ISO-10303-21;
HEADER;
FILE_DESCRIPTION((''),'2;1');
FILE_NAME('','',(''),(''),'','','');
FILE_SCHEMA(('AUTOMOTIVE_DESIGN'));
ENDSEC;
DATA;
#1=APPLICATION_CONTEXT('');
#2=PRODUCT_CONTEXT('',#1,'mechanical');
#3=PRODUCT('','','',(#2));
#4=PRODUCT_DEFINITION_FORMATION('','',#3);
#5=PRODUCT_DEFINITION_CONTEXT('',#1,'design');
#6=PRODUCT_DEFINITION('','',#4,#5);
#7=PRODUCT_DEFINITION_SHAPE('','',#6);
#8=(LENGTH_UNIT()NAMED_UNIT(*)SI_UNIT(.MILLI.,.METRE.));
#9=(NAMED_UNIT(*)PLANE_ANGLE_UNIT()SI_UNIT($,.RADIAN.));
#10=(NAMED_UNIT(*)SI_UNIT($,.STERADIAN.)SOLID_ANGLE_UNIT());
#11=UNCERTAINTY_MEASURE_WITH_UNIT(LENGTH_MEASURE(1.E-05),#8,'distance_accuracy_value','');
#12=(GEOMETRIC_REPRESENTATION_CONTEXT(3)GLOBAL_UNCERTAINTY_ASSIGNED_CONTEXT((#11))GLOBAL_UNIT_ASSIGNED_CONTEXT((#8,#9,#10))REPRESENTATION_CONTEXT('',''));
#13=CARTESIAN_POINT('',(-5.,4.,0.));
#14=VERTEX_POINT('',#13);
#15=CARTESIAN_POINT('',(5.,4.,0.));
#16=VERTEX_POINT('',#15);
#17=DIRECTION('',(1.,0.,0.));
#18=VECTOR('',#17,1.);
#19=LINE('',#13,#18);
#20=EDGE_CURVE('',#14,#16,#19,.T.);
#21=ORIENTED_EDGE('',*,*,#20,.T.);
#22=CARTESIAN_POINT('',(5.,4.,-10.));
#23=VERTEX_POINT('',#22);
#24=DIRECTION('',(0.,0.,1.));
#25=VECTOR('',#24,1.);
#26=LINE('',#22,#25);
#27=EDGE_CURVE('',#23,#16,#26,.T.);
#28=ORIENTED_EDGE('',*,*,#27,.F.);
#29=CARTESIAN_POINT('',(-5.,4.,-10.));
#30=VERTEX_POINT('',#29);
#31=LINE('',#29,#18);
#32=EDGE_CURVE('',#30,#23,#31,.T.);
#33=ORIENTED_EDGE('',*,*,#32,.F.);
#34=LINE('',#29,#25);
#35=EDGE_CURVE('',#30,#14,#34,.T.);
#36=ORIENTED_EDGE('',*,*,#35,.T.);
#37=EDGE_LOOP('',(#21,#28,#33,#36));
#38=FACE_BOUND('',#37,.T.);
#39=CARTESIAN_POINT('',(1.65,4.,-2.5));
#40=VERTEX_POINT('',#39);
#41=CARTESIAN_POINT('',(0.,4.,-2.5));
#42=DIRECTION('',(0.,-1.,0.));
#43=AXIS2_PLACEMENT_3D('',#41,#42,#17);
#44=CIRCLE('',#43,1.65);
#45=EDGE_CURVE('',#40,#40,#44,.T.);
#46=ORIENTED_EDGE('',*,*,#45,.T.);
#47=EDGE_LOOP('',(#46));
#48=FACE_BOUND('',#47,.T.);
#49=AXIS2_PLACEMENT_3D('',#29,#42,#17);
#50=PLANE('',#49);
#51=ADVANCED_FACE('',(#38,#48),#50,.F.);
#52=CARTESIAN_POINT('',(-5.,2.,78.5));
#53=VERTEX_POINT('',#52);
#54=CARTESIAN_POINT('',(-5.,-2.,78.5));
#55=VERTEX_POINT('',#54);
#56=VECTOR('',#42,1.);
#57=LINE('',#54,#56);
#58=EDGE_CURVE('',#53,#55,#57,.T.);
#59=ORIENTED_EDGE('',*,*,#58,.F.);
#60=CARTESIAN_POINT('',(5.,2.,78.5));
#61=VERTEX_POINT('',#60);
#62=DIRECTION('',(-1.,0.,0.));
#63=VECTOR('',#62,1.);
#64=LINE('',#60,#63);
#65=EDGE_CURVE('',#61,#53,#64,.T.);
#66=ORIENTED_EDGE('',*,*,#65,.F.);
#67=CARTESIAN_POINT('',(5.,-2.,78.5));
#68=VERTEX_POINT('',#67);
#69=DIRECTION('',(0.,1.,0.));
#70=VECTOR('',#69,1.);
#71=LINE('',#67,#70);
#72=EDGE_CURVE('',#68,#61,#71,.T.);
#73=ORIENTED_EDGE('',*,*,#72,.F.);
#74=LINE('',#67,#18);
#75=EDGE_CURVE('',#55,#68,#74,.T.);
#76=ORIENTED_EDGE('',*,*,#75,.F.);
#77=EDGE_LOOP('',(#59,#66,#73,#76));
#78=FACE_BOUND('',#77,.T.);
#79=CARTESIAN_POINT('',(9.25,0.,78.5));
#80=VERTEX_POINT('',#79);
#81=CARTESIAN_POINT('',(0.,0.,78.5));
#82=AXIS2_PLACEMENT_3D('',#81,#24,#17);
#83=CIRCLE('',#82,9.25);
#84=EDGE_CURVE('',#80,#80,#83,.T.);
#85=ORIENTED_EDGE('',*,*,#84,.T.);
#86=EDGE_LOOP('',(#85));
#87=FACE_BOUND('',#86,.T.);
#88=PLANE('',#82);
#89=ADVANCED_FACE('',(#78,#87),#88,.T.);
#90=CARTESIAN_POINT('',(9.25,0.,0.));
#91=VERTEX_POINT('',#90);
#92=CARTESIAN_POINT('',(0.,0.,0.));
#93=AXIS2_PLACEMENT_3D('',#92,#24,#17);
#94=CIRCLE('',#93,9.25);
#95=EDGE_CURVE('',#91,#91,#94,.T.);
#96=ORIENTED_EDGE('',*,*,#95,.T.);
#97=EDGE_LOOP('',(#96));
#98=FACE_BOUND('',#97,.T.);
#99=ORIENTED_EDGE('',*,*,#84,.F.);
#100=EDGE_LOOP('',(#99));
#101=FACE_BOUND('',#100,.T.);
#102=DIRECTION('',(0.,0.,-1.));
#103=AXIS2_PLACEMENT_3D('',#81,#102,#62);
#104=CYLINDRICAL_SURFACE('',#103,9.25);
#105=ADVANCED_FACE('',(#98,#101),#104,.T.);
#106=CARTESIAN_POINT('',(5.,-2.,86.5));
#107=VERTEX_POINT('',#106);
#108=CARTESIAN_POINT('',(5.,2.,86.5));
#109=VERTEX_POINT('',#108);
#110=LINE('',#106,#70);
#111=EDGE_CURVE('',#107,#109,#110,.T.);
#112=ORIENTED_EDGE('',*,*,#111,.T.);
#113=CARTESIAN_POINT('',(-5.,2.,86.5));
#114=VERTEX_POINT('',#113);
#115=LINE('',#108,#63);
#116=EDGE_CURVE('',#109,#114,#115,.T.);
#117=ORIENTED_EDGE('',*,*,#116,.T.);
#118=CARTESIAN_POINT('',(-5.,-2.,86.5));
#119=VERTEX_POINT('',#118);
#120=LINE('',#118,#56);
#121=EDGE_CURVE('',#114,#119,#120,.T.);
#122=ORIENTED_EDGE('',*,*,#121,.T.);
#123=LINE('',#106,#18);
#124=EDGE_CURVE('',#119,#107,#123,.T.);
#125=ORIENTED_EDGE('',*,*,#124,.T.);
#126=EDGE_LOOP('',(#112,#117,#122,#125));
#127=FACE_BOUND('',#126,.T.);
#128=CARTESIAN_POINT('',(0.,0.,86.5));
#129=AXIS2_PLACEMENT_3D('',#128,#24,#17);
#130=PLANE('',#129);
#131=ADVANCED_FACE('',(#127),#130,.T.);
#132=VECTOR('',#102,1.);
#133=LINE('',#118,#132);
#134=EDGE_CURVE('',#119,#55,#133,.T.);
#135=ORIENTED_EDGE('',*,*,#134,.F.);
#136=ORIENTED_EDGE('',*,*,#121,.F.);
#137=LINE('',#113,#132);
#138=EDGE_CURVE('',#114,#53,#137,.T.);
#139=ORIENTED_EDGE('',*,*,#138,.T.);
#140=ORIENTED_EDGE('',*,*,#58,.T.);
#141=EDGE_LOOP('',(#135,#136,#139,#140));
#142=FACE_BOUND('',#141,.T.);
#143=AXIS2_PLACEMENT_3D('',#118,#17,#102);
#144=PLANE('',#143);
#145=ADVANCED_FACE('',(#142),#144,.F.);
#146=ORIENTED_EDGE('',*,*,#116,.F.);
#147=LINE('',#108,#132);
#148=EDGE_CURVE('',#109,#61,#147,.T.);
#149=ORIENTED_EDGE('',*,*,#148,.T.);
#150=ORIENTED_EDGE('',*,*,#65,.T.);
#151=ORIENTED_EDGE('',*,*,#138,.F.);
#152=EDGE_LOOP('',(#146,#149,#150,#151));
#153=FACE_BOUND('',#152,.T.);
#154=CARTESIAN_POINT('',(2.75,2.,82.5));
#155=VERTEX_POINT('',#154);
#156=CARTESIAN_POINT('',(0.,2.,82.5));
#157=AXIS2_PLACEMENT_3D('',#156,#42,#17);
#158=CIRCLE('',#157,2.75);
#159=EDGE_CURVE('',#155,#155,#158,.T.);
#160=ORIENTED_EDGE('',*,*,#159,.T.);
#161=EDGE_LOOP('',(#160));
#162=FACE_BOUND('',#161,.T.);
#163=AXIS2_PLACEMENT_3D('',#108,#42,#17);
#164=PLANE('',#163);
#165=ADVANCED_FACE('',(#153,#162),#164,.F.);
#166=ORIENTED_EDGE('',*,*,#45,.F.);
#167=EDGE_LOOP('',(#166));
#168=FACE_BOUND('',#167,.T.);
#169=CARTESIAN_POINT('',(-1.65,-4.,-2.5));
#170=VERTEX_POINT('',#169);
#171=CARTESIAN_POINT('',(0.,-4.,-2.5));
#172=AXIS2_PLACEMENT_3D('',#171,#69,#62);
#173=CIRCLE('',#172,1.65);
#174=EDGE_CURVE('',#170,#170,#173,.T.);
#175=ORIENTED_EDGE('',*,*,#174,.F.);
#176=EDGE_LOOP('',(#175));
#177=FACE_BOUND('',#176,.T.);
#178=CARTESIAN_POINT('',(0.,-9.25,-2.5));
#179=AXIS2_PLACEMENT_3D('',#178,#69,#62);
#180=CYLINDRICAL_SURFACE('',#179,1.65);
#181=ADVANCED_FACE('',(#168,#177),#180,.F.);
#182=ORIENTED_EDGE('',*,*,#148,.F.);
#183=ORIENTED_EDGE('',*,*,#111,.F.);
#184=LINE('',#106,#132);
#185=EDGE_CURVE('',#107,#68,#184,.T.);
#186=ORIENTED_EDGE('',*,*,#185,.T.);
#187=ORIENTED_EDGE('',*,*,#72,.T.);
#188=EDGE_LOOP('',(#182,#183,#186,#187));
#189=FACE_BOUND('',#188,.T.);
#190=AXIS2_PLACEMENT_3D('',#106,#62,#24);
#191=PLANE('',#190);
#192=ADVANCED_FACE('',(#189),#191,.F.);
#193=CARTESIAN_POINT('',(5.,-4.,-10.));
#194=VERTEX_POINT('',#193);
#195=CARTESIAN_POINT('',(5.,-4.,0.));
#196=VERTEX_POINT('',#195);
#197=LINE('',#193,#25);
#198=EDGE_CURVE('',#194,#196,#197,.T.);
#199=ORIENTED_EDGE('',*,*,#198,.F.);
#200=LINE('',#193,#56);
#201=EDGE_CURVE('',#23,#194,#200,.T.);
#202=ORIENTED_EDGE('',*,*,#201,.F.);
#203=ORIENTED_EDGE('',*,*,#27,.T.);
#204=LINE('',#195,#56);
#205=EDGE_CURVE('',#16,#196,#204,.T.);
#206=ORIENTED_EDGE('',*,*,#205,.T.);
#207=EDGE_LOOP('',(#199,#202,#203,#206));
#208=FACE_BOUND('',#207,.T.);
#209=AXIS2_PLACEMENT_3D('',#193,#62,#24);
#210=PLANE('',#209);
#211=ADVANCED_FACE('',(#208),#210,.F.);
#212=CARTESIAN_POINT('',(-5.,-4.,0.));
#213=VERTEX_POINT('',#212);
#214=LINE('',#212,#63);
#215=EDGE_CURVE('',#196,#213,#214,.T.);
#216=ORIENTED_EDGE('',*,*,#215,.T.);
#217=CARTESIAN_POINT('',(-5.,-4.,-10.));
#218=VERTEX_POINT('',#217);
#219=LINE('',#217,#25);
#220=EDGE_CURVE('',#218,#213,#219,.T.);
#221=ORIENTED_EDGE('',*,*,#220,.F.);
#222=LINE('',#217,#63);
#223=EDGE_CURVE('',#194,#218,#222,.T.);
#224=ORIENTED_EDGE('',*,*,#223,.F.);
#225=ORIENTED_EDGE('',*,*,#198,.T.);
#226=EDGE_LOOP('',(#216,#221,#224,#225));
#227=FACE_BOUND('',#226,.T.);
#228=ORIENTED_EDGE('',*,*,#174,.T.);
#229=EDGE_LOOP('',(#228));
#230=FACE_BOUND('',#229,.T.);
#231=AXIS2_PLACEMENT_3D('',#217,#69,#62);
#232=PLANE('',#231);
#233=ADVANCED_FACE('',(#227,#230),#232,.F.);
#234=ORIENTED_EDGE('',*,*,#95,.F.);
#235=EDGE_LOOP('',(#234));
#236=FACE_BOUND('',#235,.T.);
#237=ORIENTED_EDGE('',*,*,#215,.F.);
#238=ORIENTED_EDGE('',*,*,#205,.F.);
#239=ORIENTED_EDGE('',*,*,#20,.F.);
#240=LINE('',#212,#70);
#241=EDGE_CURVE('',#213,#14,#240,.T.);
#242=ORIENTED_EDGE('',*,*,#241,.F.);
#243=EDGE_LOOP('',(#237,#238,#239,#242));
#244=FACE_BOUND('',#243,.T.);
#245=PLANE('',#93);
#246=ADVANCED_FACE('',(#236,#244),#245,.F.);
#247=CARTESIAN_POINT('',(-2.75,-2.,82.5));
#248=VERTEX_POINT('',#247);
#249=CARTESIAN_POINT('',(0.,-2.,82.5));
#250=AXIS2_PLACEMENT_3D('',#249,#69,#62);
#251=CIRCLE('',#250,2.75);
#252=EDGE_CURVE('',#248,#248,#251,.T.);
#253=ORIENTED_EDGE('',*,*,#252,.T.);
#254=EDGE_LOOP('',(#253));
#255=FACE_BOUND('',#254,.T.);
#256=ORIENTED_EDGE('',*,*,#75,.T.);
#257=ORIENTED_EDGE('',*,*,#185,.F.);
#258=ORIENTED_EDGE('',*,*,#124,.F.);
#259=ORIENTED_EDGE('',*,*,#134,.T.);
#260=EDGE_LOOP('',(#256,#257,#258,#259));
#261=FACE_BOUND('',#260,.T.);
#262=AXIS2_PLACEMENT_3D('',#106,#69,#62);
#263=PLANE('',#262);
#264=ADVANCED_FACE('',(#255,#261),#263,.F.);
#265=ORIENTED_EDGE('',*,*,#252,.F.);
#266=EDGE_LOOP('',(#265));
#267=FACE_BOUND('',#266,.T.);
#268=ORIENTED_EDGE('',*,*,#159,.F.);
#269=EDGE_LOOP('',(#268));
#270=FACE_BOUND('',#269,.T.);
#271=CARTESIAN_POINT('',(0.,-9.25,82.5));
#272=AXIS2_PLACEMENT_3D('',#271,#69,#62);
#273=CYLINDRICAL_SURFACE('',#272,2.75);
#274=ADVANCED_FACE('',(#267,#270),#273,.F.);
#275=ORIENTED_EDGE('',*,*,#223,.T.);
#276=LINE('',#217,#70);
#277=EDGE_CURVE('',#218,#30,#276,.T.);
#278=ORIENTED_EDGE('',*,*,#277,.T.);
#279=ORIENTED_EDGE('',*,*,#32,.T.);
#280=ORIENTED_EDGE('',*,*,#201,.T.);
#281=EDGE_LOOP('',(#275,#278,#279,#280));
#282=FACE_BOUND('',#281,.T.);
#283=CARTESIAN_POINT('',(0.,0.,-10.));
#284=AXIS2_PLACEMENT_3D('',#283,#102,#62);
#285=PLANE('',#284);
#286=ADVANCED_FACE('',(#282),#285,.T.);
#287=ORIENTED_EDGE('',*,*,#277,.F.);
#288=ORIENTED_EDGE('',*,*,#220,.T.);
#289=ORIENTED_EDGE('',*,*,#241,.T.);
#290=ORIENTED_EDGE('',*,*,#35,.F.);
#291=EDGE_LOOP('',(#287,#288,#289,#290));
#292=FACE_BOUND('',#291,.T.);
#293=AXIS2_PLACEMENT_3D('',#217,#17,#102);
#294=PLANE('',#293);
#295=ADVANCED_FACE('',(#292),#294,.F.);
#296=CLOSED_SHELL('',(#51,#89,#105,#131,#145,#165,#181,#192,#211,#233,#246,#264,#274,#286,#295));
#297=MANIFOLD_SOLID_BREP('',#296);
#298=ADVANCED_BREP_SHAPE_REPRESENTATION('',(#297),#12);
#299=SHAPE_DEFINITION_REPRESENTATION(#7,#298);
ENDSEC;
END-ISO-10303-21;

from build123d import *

# Parameters (mm, degrees)
SKETCH_1_R               = 9.25
EXTRUDE_1_DEPTH          = 78.5
SKETCH_2_W               = 10
SKETCH_2_H               = 8
EXTRUDE_2_DEPTH          = 10
SKETCH_3_W               = 10
SKETCH_3_H               = 4
EXTRUDE_3_DEPTH          = 8
CUT_EXTRUDE_1_DEPTH      = 88.996448792
CUT_EXTRUDE_1_DEPTH_BACK = 88.996448792
SKETCH_5_R               = 1.65
SKETCH_5_R_2             = 2.75


with BuildPart() as part:
    # 草图1 → 凸台-拉伸1 (new body)
    with BuildSketch(Plane.XY):
        Circle(SKETCH_1_R)
    extrude(amount=EXTRUDE_1_DEPTH)

    # 草图2 → 凸台-拉伸2 (add)
    with BuildSketch(Plane(origin=(0, 0, 0), x_dir=(-1, 0, 0), z_dir=(0, 0, -1))):
        Rectangle(SKETCH_2_W, SKETCH_2_H)
    extrude(amount=EXTRUDE_2_DEPTH)

    # 草图3 → 凸台-拉伸3 (add)
    with BuildSketch(Plane.XY.offset(78.5)):
        Rectangle(SKETCH_3_W, SKETCH_3_H)
    extrude(amount=EXTRUDE_3_DEPTH)

    # 草图5 → 切除-拉伸1 (cut, two sides: drawn at the far end of the back side and taken through both)
    with BuildSketch(Plane(origin=(0, 4, 0), x_dir=(1, 0, 0), z_dir=(0, 1, 0)).offset(-CUT_EXTRUDE_1_DEPTH_BACK)):
        with Locations(Location((0, 2.5, 0), (0, 0, 180))):
            Circle(SKETCH_5_R)
        with Locations(Location((0, -82.5, 0), (0, 0, 180))):
            Circle(SKETCH_5_R_2)
    extrude(amount=CUT_EXTRUDE_1_DEPTH + CUT_EXTRUDE_1_DEPTH_BACK, mode=Mode.SUBTRACT)


solid = part.part
